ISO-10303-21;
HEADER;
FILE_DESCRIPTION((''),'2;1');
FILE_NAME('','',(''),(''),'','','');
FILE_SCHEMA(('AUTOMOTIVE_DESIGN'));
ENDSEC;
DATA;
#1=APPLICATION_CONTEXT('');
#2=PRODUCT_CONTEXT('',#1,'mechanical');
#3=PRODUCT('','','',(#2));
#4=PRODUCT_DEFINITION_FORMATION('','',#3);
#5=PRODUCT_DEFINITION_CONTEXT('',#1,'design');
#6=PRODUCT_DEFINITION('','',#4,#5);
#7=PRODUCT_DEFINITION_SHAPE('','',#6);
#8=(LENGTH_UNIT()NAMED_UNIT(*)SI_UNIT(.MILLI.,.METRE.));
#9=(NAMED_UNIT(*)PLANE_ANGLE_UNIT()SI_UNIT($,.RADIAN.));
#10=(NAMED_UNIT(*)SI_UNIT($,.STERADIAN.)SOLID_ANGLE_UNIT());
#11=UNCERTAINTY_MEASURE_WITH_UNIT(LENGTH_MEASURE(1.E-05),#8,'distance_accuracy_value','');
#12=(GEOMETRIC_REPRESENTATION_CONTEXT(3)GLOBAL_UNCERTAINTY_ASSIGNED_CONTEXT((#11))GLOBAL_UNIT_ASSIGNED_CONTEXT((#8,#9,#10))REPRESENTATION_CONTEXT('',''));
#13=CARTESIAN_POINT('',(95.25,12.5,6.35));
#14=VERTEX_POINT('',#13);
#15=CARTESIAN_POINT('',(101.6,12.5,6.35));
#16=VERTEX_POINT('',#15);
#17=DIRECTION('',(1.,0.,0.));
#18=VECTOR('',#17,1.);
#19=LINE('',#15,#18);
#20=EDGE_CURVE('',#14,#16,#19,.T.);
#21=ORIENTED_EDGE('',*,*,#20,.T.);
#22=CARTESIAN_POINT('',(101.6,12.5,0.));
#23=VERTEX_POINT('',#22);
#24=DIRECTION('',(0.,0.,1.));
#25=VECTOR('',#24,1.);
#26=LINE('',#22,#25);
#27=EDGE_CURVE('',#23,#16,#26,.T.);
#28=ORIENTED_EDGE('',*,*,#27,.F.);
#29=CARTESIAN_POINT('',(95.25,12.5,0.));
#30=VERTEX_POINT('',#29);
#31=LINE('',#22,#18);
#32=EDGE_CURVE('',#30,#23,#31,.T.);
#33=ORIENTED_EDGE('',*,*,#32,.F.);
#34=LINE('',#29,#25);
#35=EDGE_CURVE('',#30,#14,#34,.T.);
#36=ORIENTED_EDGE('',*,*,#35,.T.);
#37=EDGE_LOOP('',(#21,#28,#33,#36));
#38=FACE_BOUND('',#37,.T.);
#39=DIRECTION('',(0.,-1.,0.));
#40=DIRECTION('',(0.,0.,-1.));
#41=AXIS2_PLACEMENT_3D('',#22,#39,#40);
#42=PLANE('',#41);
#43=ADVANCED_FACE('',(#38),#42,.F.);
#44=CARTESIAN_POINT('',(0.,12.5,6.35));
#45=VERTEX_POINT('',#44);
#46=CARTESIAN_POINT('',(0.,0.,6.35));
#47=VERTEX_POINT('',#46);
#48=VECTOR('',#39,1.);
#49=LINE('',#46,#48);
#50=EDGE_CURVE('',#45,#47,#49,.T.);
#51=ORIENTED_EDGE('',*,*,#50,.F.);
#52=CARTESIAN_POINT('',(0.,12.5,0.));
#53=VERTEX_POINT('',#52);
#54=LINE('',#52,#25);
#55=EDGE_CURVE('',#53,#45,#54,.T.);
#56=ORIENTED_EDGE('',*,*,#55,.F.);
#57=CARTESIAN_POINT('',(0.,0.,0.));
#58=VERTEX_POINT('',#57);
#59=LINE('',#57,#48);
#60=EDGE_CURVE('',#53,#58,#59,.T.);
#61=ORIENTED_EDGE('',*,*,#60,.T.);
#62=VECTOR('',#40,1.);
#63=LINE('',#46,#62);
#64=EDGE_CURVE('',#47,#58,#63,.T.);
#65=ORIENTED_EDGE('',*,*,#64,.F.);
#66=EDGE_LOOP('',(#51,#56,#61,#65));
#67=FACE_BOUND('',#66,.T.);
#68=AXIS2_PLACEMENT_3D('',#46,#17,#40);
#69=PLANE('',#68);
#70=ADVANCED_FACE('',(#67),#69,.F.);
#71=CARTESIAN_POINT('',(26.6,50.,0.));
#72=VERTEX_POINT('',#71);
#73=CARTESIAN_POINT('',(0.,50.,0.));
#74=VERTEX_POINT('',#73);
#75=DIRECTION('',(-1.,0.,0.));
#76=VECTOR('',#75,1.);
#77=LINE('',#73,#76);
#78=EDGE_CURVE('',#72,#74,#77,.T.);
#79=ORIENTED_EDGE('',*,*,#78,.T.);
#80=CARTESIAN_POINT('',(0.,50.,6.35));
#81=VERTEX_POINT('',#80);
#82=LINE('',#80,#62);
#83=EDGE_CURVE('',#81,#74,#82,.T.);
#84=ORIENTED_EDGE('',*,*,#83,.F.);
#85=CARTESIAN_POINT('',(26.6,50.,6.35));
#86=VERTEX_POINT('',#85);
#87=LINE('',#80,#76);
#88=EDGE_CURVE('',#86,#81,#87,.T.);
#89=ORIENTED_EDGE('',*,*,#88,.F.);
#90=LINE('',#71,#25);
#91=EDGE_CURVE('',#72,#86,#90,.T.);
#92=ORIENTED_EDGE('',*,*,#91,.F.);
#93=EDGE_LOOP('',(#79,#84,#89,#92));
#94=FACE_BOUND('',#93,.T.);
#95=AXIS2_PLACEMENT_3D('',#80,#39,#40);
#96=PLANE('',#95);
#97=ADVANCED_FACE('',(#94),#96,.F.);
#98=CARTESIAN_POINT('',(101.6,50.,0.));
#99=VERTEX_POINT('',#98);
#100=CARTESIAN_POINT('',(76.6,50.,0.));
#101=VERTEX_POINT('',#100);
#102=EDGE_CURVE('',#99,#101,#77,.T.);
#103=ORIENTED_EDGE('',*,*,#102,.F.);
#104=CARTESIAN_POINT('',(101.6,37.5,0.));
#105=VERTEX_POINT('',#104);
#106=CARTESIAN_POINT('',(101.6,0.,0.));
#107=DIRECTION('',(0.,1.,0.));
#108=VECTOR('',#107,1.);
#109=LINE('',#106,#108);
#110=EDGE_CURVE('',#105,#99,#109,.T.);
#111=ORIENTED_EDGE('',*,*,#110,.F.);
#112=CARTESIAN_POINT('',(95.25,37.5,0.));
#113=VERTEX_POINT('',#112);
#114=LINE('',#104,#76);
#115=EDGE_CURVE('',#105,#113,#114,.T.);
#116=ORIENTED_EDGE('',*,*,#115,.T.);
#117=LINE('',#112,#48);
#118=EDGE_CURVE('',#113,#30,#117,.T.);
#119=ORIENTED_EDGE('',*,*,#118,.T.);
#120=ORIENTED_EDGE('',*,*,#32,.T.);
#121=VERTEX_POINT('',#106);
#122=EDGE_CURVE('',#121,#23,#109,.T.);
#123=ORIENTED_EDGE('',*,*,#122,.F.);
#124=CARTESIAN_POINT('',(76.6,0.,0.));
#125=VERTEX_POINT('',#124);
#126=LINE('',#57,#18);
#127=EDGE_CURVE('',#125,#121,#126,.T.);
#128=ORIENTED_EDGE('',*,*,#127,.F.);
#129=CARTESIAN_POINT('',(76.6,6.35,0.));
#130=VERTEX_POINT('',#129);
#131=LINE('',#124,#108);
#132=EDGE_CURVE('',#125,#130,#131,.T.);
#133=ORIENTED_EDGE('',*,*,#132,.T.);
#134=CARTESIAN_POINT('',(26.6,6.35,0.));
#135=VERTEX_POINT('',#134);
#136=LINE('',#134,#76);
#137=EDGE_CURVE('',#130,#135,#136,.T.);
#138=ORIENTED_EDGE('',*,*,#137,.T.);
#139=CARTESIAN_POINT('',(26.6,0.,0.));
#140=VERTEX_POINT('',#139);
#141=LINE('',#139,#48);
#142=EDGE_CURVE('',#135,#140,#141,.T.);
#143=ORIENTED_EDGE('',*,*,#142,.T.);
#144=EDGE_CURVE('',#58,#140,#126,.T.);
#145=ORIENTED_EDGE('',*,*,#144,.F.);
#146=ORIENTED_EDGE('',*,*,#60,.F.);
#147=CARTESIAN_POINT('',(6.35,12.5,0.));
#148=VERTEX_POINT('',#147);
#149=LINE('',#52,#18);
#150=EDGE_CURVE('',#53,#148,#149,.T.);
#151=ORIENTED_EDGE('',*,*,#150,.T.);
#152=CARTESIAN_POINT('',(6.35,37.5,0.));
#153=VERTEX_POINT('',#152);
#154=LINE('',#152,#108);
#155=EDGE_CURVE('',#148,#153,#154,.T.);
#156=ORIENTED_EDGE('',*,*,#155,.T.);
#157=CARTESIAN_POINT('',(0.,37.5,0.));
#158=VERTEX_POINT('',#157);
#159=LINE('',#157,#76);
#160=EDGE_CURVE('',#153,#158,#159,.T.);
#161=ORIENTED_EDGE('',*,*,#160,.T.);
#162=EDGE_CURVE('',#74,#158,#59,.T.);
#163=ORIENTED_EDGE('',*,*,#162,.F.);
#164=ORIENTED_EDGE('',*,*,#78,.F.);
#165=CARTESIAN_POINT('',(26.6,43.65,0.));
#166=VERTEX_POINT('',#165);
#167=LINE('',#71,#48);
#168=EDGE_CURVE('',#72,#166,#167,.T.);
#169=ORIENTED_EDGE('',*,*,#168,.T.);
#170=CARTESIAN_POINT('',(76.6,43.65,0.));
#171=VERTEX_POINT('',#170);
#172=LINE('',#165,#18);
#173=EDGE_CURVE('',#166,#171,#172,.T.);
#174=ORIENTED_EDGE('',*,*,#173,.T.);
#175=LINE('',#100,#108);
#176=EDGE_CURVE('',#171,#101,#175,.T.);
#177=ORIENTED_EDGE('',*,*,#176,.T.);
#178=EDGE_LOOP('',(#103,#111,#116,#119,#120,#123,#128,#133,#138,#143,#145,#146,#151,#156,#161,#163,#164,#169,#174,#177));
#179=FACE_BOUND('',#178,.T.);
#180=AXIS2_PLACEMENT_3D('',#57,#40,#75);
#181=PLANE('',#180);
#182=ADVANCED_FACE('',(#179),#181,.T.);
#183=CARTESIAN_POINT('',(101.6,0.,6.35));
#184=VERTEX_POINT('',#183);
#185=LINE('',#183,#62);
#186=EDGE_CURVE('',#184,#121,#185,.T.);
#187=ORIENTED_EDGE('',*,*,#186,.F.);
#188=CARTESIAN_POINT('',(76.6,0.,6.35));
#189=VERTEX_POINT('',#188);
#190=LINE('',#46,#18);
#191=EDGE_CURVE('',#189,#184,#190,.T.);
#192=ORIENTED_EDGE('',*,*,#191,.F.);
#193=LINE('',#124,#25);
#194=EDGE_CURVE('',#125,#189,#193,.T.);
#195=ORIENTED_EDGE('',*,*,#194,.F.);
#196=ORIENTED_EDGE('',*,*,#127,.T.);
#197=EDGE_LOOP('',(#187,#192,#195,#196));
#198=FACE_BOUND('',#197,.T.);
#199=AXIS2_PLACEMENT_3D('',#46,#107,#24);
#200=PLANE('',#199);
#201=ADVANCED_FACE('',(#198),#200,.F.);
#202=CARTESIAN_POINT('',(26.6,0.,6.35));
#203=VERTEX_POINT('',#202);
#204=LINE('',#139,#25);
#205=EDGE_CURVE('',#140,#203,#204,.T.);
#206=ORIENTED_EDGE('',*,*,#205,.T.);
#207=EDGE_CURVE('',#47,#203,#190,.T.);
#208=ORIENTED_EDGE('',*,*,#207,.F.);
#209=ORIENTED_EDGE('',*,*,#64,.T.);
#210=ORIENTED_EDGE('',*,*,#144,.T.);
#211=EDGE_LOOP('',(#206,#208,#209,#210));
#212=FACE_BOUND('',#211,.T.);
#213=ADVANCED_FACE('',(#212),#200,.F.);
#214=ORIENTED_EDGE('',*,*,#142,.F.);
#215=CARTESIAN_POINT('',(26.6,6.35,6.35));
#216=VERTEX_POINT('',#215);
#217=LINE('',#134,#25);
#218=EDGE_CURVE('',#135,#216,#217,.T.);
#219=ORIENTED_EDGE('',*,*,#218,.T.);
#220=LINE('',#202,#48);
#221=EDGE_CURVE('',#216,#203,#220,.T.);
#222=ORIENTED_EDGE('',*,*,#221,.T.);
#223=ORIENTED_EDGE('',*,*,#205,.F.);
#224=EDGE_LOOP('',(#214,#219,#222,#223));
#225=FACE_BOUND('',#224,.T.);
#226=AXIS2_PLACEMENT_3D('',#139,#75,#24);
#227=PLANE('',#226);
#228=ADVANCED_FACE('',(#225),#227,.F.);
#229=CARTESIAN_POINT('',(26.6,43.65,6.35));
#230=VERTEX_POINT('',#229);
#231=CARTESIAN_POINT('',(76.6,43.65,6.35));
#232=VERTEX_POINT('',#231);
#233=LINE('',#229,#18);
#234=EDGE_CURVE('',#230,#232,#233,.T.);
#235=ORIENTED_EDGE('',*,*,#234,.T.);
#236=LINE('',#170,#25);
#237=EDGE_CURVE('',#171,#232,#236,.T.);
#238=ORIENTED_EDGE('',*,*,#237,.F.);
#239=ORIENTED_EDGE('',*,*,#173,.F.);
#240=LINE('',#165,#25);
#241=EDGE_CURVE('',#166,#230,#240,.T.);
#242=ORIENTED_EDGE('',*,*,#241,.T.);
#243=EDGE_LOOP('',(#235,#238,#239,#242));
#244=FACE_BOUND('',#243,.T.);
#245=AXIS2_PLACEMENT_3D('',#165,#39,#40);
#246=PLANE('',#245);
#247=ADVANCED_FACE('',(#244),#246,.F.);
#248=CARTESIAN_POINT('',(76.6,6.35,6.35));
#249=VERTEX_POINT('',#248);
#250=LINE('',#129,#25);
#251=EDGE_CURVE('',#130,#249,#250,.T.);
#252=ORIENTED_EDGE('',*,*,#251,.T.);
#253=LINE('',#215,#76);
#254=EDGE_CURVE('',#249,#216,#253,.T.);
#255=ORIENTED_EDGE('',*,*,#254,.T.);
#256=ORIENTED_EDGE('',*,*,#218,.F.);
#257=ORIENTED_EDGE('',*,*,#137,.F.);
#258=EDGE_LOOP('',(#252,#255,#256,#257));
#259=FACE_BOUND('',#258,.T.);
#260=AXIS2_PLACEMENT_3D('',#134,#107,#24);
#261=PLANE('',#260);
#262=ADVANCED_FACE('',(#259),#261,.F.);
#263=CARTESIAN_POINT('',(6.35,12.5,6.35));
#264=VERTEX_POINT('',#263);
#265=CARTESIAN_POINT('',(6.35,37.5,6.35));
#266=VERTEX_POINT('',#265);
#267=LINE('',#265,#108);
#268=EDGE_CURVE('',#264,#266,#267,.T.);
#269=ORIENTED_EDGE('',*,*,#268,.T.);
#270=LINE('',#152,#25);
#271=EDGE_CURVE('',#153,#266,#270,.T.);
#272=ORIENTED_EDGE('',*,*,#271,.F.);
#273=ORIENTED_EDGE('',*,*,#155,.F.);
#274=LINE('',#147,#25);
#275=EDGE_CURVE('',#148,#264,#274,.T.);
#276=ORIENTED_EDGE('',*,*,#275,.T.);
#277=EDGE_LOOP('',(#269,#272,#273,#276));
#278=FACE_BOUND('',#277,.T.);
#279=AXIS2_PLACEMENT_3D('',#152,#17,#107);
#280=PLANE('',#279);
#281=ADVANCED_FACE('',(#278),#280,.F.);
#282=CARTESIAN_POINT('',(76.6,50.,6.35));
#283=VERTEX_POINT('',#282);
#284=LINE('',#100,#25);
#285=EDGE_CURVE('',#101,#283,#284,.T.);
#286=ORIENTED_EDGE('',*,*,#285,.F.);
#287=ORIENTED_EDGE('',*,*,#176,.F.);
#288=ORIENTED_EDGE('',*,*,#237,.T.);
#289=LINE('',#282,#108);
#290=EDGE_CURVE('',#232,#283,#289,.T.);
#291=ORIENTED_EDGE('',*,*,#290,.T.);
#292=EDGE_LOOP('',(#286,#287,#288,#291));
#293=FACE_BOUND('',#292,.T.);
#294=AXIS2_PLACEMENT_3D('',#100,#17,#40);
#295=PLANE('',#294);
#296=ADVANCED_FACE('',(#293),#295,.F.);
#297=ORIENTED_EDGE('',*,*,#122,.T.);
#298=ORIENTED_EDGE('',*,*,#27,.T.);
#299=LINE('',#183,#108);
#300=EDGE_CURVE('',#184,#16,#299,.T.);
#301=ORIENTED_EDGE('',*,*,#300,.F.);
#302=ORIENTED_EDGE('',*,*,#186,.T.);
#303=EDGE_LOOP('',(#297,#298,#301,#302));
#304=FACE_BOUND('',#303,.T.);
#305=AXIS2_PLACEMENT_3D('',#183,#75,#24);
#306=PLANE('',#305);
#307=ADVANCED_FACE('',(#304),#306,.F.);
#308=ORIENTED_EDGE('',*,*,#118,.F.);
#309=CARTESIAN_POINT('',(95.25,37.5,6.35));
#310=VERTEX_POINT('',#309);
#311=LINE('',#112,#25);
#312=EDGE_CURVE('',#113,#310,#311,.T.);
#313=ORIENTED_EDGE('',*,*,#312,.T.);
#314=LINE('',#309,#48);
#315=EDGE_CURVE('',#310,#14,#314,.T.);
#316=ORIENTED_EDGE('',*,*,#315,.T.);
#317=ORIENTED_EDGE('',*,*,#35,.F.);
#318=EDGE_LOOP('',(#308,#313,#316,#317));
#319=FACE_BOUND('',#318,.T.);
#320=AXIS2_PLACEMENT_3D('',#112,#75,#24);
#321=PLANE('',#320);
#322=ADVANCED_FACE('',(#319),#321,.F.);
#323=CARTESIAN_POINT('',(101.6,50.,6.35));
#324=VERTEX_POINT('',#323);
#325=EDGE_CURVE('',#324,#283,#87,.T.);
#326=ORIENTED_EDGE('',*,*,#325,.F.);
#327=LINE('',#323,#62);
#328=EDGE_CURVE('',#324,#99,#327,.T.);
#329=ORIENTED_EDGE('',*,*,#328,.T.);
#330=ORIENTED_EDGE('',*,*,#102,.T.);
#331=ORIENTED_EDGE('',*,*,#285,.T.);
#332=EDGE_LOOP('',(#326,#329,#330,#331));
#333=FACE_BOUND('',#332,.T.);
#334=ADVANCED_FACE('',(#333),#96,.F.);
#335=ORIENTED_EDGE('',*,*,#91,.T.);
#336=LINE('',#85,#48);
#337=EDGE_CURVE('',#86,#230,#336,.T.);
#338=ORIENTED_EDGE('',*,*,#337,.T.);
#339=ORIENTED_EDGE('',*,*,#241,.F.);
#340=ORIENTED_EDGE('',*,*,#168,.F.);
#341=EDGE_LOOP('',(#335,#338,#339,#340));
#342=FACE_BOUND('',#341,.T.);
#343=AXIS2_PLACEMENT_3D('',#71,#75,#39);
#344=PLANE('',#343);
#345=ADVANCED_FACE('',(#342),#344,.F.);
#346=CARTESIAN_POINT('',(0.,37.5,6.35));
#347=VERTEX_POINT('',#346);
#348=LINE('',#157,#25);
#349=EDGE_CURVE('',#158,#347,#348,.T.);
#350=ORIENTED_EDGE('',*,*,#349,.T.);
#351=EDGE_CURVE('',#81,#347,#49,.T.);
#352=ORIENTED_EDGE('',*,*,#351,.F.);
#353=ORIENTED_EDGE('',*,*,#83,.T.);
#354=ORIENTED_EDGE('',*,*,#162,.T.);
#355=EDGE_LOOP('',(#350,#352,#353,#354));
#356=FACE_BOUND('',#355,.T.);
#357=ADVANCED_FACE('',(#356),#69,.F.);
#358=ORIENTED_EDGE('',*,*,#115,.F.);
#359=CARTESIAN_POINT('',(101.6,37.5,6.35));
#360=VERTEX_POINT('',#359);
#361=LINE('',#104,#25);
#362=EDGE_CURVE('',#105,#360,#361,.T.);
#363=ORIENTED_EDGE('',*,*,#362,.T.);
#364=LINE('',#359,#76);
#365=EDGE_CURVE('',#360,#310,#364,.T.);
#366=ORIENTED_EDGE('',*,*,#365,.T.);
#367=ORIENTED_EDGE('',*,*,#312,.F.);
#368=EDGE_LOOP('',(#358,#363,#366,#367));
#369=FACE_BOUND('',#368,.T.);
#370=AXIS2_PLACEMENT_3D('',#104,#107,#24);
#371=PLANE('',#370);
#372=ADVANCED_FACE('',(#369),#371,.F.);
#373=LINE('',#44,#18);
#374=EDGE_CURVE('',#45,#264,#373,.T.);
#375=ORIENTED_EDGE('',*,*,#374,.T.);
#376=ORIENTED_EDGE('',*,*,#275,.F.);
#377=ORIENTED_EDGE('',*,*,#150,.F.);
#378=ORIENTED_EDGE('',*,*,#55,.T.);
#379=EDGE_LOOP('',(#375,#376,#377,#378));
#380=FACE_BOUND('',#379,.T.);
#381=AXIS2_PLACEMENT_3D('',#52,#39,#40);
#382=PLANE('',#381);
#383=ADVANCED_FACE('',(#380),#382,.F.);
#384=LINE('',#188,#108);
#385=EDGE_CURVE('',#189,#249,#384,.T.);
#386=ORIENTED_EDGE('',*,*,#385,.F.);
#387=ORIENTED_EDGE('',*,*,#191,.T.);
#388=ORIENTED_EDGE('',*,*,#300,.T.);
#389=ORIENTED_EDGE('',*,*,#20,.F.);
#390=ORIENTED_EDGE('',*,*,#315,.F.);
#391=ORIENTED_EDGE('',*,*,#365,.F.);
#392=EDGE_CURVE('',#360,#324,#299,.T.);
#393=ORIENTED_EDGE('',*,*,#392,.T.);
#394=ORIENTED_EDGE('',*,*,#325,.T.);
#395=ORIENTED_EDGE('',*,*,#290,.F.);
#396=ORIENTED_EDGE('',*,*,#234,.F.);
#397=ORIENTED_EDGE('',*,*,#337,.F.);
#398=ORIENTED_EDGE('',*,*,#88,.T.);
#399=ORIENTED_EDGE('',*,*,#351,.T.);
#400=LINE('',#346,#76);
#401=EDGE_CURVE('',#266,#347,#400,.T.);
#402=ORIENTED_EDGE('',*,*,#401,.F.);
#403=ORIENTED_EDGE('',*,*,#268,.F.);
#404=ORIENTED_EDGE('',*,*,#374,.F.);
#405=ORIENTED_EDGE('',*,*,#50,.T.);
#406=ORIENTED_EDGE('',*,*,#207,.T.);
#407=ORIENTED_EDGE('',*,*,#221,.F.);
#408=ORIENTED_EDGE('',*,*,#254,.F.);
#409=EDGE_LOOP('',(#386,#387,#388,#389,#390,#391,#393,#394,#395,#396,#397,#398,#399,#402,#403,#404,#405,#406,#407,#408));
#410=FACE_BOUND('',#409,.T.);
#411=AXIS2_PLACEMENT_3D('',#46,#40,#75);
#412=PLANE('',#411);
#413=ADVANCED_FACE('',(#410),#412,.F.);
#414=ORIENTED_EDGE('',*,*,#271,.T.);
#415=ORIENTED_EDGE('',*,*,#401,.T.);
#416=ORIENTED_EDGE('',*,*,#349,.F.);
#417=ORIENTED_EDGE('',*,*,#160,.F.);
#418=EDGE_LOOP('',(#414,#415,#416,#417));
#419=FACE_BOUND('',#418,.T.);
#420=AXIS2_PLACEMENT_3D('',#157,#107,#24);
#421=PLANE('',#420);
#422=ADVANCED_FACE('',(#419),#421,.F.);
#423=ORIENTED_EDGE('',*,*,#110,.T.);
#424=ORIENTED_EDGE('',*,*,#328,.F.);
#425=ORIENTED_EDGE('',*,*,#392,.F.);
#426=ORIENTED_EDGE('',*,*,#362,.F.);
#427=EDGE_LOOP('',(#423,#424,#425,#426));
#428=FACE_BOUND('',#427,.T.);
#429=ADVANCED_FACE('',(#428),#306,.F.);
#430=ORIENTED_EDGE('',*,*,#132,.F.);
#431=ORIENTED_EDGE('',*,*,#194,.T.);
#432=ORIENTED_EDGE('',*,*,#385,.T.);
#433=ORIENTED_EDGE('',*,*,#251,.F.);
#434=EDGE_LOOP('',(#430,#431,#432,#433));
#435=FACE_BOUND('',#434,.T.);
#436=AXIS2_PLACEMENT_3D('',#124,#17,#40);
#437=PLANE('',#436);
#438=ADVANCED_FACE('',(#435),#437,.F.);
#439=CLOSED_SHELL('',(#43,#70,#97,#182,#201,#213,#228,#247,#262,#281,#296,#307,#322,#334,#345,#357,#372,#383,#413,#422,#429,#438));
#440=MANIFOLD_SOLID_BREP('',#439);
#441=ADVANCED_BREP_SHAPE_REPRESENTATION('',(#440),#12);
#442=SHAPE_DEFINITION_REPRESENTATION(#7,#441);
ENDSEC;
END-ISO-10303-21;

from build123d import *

# Parameters (mm, degrees)
SKETCH1_W           = 101.6
SKETCH1_H           = 50
BOSS_EXTRUDE1_DEPTH = 6.35
SKETCH3_W           = 6.35
SKETCH3_H           = 25
CUT_EXTRUDE2_DEPTH  = 7.35
SKETCH4_W           = 6.35
SKETCH4_H           = 25
SKETCH4_W_2         = 50
SKETCH4_H_2         = 6.35
CUT_EXTRUDE3_DEPTH  = 7.35


with BuildPart() as part:
    # Sketch1 → Boss-Extrude1 (new body)
    with BuildSketch(Plane.XY):
        with Locations((50.8, 25)):
            Rectangle(SKETCH1_W, SKETCH1_H)
    extrude(amount=BOSS_EXTRUDE1_DEPTH)

    # Sketch3 → Cut-Extrude2 (cut, through all)
    with BuildSketch(Plane.XY.offset(6.35)):
        with Locations((3.175, 25)):
            Rectangle(SKETCH3_W, SKETCH3_H)
    extrude(amount=-CUT_EXTRUDE2_DEPTH, mode=Mode.SUBTRACT)

    # Sketch4 → Cut-Extrude3 (cut, through all)
    with BuildSketch(Plane.XY.offset(6.35)):
        with Locations((98.425, 25)):
            Rectangle(SKETCH4_W, SKETCH4_H)
        with Locations((51.6, 46.825)):
            Rectangle(SKETCH4_W_2, SKETCH4_H_2)
        with Locations((51.6, 3.175)):
            Rectangle(SKETCH4_W_2, SKETCH4_H_2)
    extrude(amount=-CUT_EXTRUDE3_DEPTH, mode=Mode.SUBTRACT)


solid = part.part
